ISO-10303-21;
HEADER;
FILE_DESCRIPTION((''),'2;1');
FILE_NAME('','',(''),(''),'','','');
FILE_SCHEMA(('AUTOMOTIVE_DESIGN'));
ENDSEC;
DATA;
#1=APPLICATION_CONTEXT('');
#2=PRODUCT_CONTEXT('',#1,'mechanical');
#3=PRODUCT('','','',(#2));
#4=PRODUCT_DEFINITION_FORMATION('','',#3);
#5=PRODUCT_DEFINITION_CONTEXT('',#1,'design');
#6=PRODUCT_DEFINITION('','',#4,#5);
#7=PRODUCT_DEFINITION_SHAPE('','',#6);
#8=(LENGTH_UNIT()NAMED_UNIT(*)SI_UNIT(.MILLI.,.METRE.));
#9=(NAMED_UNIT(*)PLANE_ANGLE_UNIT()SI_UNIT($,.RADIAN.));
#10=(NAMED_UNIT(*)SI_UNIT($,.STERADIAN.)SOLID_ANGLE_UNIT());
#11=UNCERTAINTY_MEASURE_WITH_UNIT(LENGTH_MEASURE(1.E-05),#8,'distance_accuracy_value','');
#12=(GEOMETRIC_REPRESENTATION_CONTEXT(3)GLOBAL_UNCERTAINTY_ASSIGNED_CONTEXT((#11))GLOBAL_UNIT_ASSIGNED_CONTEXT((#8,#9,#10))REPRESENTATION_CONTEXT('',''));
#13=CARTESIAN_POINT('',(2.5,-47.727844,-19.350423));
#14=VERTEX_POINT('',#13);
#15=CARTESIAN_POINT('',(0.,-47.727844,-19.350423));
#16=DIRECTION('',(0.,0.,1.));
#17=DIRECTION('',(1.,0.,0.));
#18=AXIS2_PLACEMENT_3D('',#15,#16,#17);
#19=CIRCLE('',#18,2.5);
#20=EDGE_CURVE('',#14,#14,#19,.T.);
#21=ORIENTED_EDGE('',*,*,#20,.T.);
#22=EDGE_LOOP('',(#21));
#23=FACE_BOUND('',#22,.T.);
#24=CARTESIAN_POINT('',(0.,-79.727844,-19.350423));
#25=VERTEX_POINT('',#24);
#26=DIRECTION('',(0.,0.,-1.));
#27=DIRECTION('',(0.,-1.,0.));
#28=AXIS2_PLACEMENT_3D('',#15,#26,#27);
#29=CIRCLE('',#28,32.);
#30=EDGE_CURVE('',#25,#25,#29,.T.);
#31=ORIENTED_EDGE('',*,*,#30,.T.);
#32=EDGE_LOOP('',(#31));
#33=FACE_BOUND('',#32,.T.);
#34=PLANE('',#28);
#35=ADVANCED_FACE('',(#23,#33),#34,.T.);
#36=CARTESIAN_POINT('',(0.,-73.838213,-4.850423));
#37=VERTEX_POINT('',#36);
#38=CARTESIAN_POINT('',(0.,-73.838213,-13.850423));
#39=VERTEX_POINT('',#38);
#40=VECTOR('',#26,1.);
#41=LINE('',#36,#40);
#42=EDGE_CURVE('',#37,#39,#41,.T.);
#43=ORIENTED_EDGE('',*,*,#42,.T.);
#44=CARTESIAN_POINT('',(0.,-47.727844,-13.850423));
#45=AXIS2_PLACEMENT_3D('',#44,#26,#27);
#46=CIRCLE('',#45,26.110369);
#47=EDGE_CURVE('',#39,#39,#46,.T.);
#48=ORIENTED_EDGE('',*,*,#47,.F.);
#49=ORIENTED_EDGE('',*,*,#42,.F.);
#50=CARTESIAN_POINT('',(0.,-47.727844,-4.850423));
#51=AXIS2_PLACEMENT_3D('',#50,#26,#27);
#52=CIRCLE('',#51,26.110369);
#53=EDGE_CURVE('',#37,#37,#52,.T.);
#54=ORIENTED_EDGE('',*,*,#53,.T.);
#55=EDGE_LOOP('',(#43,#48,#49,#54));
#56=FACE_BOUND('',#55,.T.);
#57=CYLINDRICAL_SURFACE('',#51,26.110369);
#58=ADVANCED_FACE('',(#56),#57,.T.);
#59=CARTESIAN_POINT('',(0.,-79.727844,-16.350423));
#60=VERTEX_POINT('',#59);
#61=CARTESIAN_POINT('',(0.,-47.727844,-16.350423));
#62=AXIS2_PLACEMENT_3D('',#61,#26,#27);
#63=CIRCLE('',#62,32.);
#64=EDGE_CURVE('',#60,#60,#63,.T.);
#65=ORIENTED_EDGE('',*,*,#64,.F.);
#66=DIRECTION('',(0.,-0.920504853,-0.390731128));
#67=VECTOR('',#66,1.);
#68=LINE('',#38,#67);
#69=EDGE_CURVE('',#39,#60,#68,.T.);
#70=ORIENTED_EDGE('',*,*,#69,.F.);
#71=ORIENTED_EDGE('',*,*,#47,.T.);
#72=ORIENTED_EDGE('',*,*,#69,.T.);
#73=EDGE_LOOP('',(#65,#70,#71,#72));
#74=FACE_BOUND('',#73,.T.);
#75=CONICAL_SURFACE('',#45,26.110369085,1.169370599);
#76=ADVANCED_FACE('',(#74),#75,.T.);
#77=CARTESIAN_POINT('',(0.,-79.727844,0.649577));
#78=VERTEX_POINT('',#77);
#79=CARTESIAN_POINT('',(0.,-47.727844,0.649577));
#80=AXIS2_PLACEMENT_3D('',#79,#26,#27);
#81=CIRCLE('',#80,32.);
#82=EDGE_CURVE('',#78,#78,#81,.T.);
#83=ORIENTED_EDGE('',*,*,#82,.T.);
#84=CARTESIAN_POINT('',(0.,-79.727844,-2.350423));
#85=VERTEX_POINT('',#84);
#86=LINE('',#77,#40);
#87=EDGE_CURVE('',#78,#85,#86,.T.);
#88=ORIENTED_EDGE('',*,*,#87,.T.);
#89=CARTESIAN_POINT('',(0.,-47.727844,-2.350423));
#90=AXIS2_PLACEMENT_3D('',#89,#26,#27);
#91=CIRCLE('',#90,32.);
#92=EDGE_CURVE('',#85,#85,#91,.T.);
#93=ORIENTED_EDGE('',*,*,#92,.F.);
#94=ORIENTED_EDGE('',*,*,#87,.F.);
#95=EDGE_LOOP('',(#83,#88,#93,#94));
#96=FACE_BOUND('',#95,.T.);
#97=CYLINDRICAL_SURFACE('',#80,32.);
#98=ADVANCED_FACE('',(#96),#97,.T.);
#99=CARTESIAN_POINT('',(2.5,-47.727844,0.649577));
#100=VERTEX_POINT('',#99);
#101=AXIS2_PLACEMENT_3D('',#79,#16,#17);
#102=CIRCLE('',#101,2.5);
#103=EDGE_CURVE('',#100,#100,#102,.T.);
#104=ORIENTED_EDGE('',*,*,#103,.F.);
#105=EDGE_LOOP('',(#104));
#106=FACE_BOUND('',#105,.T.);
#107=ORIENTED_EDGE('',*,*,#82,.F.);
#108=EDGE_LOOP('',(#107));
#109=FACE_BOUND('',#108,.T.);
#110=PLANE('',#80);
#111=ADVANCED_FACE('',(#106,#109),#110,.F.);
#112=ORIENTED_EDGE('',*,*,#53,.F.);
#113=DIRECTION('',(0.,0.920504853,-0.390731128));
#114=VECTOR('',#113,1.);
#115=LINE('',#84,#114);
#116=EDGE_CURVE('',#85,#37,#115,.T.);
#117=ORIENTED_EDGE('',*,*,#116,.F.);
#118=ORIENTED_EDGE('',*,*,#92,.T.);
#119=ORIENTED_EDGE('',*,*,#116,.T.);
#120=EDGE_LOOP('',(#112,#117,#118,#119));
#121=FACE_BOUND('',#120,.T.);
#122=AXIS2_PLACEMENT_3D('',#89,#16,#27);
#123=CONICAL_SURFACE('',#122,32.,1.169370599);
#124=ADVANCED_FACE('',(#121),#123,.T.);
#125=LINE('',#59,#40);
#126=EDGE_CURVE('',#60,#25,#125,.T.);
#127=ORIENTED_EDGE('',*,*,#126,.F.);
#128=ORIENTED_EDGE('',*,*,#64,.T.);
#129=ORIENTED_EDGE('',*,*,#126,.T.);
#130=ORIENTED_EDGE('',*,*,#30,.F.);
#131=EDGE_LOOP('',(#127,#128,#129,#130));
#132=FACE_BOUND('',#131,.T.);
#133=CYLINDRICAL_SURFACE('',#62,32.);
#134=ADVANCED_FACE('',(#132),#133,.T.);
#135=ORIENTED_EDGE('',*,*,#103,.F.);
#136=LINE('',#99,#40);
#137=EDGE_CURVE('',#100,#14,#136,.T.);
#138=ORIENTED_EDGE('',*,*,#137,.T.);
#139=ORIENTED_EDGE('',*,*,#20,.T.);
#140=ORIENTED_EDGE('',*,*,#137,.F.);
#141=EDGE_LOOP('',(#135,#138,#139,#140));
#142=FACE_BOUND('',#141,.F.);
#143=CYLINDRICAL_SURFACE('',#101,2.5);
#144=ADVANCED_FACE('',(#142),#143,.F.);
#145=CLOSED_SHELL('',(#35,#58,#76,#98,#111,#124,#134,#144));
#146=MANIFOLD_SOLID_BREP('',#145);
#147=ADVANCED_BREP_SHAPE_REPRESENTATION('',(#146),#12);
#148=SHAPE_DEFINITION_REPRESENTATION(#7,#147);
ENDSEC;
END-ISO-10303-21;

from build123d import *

# Parameters (mm, degrees)
F2_R     = 2.5
F3_DEPTH = 20


with BuildPart() as f1:
    # F0 (on Right) → F1 (revolve)
    with BuildSketch(Plane.YZ):
        Polygon((-47.7278436005, 0.6495767547), (-79.7278436005, 0.6495767547), (-79.7278436005, -2.3504232453), (-73.8382126859, -4.8504232453), (-73.8382126859, -13.8504232453), (-79.7278436005, -16.3504232453), (-79.7278436005, -19.3504232453), (-47.7278436005, -19.3504232453), align=None)
    revolve(axis=Axis((0, -47.7278436005, -9.3504232453), (0, 0, -1)))

    # F2 (on face) → F3 (cut, through all)
    with BuildSketch(Plane.XY.offset(0.6495767547)):
        with Locations((0, -47.7278436005)):
            Circle(F2_R)
    extrude(amount=-F3_DEPTH, mode=Mode.SUBTRACT)


solid = f1.part
